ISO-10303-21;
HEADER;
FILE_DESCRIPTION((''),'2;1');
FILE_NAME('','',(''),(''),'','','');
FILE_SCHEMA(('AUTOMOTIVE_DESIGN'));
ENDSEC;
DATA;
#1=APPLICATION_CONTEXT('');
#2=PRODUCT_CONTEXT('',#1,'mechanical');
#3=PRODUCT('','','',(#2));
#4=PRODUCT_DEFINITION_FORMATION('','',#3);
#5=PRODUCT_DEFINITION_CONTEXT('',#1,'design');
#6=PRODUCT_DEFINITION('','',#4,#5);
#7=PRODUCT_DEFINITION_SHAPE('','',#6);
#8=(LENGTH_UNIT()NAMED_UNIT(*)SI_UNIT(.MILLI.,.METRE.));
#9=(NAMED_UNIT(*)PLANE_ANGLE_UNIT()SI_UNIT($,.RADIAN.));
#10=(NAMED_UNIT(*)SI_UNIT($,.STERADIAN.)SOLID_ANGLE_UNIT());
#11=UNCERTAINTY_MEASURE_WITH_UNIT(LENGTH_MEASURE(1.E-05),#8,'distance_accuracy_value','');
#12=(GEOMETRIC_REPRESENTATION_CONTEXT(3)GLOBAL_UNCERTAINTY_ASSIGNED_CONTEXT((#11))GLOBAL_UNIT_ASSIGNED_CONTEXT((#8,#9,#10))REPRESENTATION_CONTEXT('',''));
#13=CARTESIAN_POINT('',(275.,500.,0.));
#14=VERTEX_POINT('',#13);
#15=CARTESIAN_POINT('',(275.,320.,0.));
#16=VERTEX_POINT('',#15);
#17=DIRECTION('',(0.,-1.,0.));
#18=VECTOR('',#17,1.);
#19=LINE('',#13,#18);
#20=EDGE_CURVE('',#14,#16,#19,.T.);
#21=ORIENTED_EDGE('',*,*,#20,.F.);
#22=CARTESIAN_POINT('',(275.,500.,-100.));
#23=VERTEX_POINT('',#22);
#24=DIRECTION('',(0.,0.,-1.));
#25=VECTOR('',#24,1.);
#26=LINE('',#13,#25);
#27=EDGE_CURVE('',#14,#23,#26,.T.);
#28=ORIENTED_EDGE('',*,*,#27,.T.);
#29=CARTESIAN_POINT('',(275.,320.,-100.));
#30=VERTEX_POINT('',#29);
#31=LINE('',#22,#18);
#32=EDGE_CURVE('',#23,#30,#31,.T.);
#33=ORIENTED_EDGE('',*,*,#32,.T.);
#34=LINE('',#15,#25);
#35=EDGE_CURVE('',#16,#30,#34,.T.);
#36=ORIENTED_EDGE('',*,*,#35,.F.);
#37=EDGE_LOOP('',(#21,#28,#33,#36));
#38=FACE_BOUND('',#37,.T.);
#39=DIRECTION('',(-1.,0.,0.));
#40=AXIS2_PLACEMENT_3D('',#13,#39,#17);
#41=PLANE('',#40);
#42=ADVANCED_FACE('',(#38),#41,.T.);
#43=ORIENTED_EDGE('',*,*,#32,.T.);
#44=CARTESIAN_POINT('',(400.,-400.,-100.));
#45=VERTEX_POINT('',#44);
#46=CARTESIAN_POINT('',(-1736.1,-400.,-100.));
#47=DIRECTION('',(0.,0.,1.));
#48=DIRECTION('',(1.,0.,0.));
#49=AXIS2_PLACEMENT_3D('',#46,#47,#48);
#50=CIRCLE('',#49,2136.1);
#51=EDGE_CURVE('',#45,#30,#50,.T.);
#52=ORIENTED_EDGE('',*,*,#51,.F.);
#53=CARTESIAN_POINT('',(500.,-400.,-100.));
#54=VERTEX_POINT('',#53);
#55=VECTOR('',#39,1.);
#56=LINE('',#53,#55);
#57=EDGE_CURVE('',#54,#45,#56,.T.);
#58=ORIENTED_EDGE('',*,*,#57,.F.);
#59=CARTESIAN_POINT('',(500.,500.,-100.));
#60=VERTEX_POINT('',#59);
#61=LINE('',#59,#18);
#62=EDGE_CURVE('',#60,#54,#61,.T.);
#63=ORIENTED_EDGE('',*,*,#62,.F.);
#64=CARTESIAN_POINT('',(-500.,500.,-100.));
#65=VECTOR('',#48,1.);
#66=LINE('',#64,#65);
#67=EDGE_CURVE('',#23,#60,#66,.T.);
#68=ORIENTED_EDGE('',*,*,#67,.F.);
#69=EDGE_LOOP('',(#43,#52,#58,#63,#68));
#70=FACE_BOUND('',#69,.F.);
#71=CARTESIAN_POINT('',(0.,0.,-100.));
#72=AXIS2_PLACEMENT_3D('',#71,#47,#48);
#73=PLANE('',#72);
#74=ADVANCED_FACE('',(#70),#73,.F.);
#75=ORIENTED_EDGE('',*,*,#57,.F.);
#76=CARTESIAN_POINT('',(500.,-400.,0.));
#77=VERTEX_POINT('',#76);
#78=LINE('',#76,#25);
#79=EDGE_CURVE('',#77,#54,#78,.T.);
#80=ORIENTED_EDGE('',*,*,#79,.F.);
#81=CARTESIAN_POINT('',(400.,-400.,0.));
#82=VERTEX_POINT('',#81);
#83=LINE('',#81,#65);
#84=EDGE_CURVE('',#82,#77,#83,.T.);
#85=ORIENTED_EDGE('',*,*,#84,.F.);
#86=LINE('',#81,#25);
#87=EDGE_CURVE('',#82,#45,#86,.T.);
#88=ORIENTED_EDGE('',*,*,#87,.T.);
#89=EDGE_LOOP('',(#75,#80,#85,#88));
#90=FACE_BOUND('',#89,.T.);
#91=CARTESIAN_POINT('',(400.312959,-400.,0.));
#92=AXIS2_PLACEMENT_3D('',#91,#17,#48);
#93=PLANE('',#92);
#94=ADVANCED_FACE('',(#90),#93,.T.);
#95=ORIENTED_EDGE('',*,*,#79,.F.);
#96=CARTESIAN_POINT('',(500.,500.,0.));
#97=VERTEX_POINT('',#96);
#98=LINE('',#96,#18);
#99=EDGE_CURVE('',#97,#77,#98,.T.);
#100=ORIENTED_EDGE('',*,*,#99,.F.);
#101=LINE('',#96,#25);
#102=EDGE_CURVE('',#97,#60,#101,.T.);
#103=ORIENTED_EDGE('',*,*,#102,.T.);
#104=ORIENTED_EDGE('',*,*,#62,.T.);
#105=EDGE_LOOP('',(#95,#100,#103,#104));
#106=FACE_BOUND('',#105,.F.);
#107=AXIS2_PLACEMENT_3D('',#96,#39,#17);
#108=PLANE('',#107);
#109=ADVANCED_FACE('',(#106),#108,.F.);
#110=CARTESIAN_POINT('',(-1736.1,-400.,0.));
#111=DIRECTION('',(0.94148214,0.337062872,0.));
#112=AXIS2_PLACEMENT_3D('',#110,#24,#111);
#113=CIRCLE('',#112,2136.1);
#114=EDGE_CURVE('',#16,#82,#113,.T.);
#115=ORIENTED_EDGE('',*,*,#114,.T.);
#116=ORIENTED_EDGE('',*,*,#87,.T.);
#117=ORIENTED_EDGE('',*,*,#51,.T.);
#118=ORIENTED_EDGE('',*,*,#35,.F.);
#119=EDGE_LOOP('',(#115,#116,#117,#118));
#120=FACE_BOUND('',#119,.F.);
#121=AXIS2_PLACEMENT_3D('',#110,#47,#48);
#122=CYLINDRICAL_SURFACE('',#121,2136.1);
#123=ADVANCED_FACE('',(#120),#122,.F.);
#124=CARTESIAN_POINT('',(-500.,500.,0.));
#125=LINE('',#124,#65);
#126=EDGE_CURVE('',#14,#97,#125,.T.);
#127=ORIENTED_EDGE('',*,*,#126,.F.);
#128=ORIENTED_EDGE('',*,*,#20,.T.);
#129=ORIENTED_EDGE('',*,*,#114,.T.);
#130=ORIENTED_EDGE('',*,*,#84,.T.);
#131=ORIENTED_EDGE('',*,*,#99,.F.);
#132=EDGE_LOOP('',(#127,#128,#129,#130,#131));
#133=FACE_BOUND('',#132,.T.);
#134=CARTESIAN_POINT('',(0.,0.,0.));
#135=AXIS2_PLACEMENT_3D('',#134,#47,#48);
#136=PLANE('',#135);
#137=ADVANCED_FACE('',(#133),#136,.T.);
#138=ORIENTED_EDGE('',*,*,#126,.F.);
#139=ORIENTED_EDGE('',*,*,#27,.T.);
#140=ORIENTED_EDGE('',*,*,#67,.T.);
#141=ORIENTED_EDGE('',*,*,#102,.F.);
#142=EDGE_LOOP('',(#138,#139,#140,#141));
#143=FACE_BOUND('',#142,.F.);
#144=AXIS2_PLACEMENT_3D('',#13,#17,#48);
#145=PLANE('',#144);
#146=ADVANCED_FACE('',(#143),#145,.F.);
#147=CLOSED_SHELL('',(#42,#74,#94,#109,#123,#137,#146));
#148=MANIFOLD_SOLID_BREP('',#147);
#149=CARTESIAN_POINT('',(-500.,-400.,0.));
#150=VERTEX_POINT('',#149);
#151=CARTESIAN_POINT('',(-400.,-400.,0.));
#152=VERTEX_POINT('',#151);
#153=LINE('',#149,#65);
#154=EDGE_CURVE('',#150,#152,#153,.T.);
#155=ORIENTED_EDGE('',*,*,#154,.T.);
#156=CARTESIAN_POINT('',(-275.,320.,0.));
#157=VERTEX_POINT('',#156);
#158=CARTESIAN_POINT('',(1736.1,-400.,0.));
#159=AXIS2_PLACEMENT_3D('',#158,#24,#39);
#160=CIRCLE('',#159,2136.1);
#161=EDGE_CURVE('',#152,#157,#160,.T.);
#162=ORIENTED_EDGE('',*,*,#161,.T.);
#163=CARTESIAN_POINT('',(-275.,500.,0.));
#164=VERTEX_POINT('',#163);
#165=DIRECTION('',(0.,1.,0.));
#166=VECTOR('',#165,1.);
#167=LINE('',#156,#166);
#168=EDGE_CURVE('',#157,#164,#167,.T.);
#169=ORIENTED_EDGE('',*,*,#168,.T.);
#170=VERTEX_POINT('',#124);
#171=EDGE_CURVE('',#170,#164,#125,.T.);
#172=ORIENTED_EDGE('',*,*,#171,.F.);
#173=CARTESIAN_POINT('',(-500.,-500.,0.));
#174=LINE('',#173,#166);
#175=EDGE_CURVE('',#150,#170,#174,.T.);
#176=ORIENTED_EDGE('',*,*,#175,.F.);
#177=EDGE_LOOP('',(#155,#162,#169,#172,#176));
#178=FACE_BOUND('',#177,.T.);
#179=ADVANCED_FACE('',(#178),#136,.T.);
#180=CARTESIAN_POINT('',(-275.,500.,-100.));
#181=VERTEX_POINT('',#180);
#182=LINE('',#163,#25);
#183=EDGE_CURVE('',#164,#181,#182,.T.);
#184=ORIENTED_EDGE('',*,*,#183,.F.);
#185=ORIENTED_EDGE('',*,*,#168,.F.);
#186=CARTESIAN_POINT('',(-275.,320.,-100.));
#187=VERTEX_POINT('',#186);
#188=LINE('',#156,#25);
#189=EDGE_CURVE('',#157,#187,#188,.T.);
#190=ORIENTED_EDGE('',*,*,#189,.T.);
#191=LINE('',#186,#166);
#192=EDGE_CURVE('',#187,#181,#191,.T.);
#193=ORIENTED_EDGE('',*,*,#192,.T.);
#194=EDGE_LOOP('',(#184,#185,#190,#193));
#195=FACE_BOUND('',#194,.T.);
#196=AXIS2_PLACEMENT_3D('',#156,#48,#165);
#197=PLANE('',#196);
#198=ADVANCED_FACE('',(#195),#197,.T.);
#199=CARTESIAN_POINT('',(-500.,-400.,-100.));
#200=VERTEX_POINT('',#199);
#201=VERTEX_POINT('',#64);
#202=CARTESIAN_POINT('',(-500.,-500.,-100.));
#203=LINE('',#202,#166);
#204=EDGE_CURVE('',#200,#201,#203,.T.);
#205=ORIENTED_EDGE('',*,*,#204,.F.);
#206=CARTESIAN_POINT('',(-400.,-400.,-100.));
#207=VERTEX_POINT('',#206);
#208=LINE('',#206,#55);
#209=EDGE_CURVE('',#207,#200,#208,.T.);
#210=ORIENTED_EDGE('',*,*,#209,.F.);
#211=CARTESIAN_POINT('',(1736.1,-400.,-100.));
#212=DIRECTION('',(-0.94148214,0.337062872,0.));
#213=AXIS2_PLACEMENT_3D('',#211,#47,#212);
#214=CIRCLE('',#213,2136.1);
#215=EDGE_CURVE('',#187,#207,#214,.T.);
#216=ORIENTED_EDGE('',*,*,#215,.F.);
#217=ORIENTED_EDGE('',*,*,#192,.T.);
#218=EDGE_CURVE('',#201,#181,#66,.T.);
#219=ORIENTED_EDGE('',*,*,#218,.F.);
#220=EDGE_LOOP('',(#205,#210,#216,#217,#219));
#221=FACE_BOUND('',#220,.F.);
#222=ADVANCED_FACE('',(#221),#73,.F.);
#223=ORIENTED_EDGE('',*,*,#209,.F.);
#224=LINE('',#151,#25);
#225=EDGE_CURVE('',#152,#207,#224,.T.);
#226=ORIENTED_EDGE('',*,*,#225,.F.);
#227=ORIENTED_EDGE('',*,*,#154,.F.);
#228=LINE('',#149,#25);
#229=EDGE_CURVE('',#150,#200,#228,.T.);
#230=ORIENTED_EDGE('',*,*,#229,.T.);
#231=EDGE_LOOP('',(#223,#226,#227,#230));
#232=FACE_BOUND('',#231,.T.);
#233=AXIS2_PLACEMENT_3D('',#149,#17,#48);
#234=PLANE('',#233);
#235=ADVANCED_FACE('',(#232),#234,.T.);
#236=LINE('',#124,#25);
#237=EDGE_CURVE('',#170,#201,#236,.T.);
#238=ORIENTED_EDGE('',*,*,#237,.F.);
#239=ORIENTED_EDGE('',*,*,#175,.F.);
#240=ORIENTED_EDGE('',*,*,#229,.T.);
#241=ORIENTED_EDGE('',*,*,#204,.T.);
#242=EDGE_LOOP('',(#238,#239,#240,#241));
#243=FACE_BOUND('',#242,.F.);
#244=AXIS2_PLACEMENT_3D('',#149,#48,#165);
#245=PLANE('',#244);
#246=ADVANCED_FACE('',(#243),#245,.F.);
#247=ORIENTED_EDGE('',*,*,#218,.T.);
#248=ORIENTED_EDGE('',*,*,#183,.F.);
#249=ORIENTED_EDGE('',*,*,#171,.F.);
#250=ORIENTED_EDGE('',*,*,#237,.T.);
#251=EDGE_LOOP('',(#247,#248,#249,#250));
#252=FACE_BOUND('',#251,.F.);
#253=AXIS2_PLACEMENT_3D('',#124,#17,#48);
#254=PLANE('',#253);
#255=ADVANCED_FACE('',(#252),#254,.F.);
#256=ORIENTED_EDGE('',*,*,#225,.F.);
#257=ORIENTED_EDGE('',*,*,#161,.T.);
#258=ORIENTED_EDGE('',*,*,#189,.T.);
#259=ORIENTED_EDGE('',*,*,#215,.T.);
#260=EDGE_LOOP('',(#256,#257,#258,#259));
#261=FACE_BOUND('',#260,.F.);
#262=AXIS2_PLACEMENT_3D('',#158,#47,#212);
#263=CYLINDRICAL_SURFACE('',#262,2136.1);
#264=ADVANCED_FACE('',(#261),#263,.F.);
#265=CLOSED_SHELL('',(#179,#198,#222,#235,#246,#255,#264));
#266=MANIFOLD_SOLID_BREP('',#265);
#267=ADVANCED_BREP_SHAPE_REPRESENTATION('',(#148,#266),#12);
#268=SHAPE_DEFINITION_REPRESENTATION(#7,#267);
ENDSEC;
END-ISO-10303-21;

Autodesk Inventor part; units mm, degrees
ref_plane "YZ Plane" through (0, 0, 0) normal (1, 0, 0) x (0, 1, 0)
ref_plane "XZ Plane" through (0, 0, 0) normal (0, 1, 0) x (-1, 0, 0)
ref_plane "XY Plane" through (0, 0, 0) normal (0, 0, 1) x (1, 0, 0)
sketch "Skizze3" plane through (0, 0, 0) normal (0, 0, 1) x (1, 0, 0)
  line L0 (-500, 500) -> (500, 500)
  line L1 (500, 500) -> (500, -500)
  line L2 (500, -500) -> (-500, -500)
  line L3 (-500, -500) -> (-500, 500)
  line L4 (-500, -400) -> (500, -400)
  line L5 (-275, 500) -> (275, 500)
  line L6 (275, 500) -> (275, 320)
  line L7 (275, 320) -> (-275, 320)
  line L8 (-275, 320) -> (-275, 500)
  arc A0 (-275, 320) -> (-400, -400) centre (1736.1, -400) ccw
  arc A1 (400, -400) -> (275, 320) centre (-1736.1, -400) ccw
  line L9 (-160, 320) -> (160, 320)
  line L10 (160, 320) -> (160, 360)
  line L11 (160, 360) -> (-160, 360)
  line L12 (-160, 360) -> (-160, 320)
  line L13 (-440, -450) -> (-140, -450)
  line L14 (90, -450) -> (440, -450)
  line L15 (-30, 360) -> (-30, 320)
  arc A2 (-440, -450) -> (-160, 320) centre (-1358.75, 320) ccw
  arc A3 (-140, -450) -> (-30, 320) centre (-2780, 320) ccw
  arc A4 (-30, 320) -> (90, -450) centre (2500.4167, 320) ccw
  arc A5 (160, 320) -> (440, -450) centre (1358.75, 320) ccw
  line L16 (-160, 360) -> (-440, -450) construction
  line L17 (-160, 360) -> (-146.1239, 400.1416) construction
  line L18 (-30, 360) -> (-146.1239, 400.1416) construction
  line L19 (-30, 360) -> (121.8543, 307.5071) construction
  line L20 (-440, -450) -> (-172.0218, -542.6344) construction
  line L21 (-140, -450) -> (-172.0218, -542.6344) construction
  line L22 (-140, -450) -> (121.8543, 307.5071) construction
  line L23 (-172.9217, 310.595) -> (139.7195, 418.6685) construction
  line L24 (139.7195, 418.6685) -> (440, -450) construction
  line L25 (440, -450) -> (127.3587, -558.0735) construction
  line L26 (127.3587, -558.0735) -> (-172.9217, 310.595) construction
  point P0 (0, 0)
  point P1 (-500, 0)
  point P2 (0, 500)
  point P3 (0, 320)
  point P4 (0, 360)
  dimension "d4" = 1000
  dimension "d5" = 1000
  dimension "d6" = 100
  dimension "d7" = 550
  dimension "d8" = 180
  dimension "d9" = 100
  dimension "d10" = 100
  dimension "d11" = 320
  dimension "d12" = 300
  dimension "d13" = 350
  dimension "d14" = 230
  dimension "d15" = 60
  dimension "d16" = -60
  dimension "d17" = 130
  dimension "d18" = 190
  dimension "d19" = 50
  dimension "d21" = 283.5374
  dimension "d22" = 40
  dimension "d23" = 140
  dimension "d24" = 899.502
  dimension "d25" = 919.1046
  dimension "d26" = 330.7937
extrude "Extrusion4" add sketch "Skizze3" against normal blind 100 contours L0 L8 A0 A2 L4 L3 | L0 L1 L4 A5 A1 L6 | A2 A0 L4 | A5 L4 A1
equation "\"d9\" = d6"
equation "\"d10\" = d6"
properties part number "UA-072-EinfassungST"
